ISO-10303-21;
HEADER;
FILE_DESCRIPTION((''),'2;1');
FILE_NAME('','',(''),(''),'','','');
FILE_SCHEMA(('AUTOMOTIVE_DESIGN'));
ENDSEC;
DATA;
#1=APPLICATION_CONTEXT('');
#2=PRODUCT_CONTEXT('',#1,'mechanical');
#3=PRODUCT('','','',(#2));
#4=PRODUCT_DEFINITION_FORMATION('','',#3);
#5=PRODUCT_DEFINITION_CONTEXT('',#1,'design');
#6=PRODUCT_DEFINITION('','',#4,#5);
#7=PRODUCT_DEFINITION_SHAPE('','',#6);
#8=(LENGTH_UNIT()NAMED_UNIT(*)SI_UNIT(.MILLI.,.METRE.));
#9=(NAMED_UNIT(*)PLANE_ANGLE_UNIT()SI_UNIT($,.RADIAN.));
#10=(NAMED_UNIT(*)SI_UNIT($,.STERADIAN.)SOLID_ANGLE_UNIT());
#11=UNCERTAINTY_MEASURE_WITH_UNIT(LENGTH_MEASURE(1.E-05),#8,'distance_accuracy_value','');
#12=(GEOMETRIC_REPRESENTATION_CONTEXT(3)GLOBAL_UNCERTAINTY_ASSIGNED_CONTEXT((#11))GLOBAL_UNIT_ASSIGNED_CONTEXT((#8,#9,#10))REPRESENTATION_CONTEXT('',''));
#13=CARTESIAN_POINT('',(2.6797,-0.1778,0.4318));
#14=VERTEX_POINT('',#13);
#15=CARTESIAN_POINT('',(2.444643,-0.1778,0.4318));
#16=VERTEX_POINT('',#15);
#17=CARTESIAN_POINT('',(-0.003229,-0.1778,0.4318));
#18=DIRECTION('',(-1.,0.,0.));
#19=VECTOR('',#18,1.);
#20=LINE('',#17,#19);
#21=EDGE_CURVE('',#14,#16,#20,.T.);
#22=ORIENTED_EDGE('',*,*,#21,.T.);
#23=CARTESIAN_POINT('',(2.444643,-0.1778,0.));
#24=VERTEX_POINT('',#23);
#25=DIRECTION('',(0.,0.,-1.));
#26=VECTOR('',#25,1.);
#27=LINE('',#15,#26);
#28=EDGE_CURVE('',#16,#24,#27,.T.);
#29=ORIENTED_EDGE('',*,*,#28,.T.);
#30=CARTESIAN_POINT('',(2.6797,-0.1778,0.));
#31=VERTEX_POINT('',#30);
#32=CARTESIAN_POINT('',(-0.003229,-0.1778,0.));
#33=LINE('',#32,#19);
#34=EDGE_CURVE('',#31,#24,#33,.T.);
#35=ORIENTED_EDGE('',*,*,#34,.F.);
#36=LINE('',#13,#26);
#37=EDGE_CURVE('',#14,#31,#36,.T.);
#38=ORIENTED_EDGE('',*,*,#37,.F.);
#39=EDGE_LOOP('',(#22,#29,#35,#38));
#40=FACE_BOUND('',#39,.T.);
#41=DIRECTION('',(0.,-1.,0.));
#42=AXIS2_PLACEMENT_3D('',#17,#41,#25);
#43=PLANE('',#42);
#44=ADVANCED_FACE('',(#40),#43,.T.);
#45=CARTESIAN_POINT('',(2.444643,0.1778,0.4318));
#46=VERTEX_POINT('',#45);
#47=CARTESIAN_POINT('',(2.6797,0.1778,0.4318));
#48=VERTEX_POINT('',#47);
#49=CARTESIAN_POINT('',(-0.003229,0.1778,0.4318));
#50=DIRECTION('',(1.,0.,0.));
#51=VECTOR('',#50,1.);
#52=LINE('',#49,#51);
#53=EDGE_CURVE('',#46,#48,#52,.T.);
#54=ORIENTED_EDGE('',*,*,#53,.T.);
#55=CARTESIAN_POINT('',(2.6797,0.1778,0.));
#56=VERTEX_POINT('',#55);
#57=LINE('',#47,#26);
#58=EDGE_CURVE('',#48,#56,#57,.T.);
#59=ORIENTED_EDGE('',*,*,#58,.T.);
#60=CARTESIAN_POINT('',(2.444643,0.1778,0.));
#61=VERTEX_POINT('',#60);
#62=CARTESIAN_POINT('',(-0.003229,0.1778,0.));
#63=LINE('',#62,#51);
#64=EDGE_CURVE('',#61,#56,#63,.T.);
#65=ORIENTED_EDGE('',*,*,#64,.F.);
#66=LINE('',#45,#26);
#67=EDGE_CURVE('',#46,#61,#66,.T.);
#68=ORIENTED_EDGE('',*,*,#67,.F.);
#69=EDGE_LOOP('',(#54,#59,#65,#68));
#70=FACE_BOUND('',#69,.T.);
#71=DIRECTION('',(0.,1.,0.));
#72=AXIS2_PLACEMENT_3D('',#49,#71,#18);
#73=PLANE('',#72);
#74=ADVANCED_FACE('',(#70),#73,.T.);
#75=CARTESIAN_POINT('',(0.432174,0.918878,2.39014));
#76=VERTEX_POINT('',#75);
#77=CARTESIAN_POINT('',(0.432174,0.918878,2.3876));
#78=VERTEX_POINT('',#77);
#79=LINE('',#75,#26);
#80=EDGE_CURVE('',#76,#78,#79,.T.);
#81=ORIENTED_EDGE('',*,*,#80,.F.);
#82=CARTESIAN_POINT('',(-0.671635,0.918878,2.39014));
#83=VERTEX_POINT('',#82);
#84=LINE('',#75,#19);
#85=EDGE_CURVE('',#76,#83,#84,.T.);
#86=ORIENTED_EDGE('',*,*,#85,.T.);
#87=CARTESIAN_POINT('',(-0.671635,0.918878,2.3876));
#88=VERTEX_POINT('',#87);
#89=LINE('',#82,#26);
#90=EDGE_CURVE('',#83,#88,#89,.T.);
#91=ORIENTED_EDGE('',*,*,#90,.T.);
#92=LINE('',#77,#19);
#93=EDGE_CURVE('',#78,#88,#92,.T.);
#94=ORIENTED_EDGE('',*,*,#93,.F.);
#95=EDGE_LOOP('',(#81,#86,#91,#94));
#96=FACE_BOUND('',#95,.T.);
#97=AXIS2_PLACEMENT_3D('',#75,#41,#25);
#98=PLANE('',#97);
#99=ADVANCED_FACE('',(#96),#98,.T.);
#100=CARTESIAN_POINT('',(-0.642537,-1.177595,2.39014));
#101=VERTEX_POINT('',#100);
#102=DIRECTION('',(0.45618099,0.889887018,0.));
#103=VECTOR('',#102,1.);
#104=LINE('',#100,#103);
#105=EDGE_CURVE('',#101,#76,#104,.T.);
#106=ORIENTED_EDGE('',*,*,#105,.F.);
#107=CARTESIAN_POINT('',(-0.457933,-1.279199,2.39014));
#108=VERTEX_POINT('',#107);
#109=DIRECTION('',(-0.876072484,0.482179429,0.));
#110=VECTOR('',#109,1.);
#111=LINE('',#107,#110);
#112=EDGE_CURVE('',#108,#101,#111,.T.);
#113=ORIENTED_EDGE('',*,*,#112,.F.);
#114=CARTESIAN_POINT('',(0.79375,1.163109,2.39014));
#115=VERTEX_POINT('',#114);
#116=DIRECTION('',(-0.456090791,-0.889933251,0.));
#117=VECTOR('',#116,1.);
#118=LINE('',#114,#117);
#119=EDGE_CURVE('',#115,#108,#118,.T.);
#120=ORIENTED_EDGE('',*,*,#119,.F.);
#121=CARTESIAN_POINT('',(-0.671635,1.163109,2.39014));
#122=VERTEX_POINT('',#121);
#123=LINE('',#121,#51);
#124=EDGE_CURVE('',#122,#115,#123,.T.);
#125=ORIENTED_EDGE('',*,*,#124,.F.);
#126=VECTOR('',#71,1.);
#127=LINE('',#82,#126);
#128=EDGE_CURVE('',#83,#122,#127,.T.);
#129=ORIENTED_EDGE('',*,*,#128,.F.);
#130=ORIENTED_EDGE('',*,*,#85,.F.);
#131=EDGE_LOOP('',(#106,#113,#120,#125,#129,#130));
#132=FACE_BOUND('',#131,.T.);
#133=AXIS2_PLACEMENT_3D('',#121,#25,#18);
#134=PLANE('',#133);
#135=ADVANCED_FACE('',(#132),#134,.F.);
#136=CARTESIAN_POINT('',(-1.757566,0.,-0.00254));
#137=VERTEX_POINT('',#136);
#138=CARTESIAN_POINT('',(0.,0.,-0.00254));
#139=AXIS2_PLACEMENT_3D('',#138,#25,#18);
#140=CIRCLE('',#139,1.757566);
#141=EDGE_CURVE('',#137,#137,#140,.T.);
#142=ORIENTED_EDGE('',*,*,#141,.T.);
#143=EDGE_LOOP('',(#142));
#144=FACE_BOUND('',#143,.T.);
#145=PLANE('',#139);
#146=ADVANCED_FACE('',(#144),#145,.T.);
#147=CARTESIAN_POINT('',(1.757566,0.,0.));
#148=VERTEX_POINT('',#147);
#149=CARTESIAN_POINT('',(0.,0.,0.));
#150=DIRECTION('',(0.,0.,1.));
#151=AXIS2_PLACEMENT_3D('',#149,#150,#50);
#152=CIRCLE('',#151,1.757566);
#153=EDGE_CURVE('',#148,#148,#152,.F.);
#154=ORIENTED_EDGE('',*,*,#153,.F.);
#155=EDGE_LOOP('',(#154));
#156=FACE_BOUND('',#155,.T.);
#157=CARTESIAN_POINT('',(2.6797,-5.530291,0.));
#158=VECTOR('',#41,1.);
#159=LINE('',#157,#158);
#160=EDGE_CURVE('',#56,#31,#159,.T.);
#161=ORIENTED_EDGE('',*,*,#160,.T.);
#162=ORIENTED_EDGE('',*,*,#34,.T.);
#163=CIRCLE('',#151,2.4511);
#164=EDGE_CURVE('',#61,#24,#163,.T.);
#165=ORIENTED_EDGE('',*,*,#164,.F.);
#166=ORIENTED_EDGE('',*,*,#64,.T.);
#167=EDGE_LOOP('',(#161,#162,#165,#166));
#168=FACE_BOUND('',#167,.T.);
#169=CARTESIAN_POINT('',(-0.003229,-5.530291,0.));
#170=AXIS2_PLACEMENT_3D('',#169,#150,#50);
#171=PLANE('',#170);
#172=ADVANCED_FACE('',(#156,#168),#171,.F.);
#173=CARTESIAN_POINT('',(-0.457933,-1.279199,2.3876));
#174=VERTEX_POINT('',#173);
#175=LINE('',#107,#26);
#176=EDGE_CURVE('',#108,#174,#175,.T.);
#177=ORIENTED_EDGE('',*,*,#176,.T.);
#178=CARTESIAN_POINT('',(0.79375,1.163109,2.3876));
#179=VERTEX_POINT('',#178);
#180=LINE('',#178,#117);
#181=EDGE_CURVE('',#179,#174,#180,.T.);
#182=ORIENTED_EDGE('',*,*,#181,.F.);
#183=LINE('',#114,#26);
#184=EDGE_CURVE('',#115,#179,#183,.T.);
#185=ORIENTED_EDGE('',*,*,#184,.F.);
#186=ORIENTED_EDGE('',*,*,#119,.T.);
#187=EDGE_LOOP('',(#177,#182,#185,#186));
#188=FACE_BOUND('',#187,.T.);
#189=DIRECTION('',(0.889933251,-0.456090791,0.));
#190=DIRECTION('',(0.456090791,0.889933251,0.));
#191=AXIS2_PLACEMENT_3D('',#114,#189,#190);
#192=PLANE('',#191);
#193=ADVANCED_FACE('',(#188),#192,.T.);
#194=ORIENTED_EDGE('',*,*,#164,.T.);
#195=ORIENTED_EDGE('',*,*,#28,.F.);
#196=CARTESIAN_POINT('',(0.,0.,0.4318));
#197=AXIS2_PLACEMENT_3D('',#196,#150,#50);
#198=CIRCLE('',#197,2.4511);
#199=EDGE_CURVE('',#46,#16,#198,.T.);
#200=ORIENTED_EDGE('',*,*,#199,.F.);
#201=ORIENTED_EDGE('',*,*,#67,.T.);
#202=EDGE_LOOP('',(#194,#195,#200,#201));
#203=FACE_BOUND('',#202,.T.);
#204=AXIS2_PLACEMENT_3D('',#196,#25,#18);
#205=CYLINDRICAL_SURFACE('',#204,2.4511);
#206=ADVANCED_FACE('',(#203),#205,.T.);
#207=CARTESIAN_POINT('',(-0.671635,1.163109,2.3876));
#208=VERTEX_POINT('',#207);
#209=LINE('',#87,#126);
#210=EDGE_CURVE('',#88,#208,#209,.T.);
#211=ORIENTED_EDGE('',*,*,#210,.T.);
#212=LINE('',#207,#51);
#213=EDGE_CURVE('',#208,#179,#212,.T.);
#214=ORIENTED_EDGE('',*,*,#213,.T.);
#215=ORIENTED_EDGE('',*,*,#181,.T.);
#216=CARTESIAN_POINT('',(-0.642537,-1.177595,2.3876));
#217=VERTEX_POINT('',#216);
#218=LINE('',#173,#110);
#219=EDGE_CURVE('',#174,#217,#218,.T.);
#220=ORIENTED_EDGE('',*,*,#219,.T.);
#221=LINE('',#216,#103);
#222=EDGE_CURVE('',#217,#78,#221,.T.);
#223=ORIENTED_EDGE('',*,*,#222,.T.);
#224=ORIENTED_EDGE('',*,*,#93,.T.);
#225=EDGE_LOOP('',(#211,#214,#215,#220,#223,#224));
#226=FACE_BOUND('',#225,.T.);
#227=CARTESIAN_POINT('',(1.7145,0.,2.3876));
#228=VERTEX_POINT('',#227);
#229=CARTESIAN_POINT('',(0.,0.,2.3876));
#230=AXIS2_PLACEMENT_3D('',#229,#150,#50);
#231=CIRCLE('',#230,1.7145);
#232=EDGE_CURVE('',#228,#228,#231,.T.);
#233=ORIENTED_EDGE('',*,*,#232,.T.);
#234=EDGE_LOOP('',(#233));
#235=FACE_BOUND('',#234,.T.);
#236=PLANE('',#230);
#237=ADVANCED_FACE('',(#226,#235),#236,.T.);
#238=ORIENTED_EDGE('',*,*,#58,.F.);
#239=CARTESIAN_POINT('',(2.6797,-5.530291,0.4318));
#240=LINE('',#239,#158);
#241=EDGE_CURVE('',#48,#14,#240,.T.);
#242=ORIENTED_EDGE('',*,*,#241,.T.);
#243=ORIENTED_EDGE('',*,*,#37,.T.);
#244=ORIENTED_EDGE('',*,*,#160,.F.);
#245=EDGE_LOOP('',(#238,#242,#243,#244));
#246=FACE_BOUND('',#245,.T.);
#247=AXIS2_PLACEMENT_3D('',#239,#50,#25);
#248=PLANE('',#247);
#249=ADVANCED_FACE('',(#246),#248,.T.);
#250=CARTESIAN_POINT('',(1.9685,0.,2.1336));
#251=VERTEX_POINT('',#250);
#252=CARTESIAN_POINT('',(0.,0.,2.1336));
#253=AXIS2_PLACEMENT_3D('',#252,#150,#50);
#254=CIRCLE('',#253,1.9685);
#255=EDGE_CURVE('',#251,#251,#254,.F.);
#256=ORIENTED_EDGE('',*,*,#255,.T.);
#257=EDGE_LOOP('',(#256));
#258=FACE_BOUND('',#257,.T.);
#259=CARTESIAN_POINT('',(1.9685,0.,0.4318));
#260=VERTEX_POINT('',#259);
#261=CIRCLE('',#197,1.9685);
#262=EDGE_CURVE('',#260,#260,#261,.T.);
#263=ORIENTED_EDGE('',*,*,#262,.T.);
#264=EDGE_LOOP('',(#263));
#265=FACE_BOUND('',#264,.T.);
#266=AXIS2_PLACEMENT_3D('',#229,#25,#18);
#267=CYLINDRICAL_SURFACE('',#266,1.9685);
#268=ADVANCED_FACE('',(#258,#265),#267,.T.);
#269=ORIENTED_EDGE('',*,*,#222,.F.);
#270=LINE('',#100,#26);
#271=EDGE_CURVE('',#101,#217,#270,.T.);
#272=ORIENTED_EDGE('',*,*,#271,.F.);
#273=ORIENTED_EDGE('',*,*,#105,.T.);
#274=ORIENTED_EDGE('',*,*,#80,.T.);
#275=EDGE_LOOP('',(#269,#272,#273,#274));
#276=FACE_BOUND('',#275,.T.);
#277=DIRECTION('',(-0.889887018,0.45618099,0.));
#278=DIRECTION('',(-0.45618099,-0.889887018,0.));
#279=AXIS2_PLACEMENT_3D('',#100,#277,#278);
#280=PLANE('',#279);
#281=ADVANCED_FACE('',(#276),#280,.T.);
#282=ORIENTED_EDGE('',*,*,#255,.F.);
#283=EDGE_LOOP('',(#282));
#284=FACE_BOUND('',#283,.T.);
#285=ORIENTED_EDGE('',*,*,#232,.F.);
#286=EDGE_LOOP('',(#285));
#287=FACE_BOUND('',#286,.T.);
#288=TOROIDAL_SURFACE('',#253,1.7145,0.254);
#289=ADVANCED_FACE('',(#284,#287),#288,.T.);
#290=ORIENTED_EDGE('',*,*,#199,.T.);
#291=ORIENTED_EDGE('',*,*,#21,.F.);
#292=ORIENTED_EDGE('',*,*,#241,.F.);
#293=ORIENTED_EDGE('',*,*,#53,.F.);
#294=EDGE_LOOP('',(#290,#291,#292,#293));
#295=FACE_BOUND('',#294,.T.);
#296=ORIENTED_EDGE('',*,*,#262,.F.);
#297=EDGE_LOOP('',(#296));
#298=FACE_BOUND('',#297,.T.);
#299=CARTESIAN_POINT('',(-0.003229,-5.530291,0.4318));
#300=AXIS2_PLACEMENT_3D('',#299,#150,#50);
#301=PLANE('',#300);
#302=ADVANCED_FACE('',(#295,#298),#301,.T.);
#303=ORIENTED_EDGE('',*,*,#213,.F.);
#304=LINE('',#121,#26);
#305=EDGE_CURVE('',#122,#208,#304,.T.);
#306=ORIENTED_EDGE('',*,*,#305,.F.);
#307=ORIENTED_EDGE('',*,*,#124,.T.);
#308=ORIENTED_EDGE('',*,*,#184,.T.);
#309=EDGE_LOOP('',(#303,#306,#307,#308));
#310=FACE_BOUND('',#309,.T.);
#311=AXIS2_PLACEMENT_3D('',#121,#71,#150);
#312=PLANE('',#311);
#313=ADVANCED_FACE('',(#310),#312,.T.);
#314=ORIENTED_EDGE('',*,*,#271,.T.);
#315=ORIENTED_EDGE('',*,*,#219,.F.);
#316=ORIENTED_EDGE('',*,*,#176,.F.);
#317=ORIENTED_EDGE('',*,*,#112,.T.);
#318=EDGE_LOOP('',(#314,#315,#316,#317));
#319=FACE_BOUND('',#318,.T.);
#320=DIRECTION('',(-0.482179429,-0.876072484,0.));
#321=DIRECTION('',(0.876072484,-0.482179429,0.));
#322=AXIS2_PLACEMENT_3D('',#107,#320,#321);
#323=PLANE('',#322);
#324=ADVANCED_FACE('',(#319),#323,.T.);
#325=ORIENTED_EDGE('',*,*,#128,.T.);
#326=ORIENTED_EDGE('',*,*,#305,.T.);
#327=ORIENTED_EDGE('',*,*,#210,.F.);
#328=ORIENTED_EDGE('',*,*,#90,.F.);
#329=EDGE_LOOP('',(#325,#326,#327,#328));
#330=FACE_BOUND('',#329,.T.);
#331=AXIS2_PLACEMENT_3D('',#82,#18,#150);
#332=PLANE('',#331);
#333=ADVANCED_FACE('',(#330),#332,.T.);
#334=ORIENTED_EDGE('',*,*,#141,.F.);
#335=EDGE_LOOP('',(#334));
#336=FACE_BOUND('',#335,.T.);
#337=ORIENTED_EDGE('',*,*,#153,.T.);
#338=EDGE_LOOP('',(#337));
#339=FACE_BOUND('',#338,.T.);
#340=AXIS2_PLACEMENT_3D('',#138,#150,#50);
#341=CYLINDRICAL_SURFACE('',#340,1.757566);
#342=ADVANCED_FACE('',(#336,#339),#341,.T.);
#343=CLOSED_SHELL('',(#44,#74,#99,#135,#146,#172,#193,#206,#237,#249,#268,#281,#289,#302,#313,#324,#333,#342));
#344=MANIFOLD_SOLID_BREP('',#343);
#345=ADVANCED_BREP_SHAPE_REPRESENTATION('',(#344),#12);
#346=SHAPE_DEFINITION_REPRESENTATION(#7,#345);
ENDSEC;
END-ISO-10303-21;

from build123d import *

# Parameters (mm, degrees)
BOSS_EXTRUDE1_DEPTH = 0.4318
SKETCH2_R           = 1.9685
BOSS_EXTRUDE2_DEPTH = 1.9558
SKETCH3_R           = 1.757566481
BOSS_EXTRUDE3_DEPTH = 0.00254
FILLET1_R           = 0.254
BOSS_EXTRUDE6_DEPTH = 0.00254


with BuildPart() as part:
    # Sketch1 → Boss-Extrude1 (new body)
    with BuildSketch(Plane.XY):
        with BuildLine():
            Line((2.6797, 0.1778), (2.4511, 0.1778))
            Line((2.4511, 0.1778), (2.44464279, 0.1778))
            ThreePointArc((2.44464279, 0.1778), (-2.4511, 0), (2.44464279, -0.1778))
            Line((2.44464279, -0.1778), (2.4511, -0.1778))
            Line((2.4511, -0.1778), (2.6797, -0.1778))
            Line((2.6797, -0.1778), (2.6797, 0.1778))
        make_face()
    extrude(amount=BOSS_EXTRUDE1_DEPTH)

    # Sketch2 → Boss-Extrude2 (add)
    with BuildSketch(Plane.XY.offset(0.4318)):
        Circle(SKETCH2_R)
    extrude(amount=BOSS_EXTRUDE2_DEPTH)

    # Sketch3 → Boss-Extrude3 (add)
    with BuildSketch(Plane(origin=(0, 0, 0), x_dir=(-1, 0, 0), z_dir=(0, 0, -1))):
        Circle(SKETCH3_R)
    extrude(amount=BOSS_EXTRUDE3_DEPTH)

    # Fillet1
    fillet1_edges = [part.edges().sort_by_distance(p)[0] for p in [
        (-1.9685, 0, 2.3876),
    ]]
    fillet(fillet1_edges, radius=FILLET1_R)

    # Sketch4 → Boss-Extrude6 (add)
    with BuildSketch(Plane.XY.offset(2.3876)):
        Polygon((-0.671634615, 1.163108793), (0.79375, 1.163108793), (-0.457932692, -1.279198899), (-0.642536809, -1.177595083), (0.432173978, 0.918878024), (-0.671634615, 0.918878024), align=None)
    extrude(amount=BOSS_EXTRUDE6_DEPTH)


solid = part.part
